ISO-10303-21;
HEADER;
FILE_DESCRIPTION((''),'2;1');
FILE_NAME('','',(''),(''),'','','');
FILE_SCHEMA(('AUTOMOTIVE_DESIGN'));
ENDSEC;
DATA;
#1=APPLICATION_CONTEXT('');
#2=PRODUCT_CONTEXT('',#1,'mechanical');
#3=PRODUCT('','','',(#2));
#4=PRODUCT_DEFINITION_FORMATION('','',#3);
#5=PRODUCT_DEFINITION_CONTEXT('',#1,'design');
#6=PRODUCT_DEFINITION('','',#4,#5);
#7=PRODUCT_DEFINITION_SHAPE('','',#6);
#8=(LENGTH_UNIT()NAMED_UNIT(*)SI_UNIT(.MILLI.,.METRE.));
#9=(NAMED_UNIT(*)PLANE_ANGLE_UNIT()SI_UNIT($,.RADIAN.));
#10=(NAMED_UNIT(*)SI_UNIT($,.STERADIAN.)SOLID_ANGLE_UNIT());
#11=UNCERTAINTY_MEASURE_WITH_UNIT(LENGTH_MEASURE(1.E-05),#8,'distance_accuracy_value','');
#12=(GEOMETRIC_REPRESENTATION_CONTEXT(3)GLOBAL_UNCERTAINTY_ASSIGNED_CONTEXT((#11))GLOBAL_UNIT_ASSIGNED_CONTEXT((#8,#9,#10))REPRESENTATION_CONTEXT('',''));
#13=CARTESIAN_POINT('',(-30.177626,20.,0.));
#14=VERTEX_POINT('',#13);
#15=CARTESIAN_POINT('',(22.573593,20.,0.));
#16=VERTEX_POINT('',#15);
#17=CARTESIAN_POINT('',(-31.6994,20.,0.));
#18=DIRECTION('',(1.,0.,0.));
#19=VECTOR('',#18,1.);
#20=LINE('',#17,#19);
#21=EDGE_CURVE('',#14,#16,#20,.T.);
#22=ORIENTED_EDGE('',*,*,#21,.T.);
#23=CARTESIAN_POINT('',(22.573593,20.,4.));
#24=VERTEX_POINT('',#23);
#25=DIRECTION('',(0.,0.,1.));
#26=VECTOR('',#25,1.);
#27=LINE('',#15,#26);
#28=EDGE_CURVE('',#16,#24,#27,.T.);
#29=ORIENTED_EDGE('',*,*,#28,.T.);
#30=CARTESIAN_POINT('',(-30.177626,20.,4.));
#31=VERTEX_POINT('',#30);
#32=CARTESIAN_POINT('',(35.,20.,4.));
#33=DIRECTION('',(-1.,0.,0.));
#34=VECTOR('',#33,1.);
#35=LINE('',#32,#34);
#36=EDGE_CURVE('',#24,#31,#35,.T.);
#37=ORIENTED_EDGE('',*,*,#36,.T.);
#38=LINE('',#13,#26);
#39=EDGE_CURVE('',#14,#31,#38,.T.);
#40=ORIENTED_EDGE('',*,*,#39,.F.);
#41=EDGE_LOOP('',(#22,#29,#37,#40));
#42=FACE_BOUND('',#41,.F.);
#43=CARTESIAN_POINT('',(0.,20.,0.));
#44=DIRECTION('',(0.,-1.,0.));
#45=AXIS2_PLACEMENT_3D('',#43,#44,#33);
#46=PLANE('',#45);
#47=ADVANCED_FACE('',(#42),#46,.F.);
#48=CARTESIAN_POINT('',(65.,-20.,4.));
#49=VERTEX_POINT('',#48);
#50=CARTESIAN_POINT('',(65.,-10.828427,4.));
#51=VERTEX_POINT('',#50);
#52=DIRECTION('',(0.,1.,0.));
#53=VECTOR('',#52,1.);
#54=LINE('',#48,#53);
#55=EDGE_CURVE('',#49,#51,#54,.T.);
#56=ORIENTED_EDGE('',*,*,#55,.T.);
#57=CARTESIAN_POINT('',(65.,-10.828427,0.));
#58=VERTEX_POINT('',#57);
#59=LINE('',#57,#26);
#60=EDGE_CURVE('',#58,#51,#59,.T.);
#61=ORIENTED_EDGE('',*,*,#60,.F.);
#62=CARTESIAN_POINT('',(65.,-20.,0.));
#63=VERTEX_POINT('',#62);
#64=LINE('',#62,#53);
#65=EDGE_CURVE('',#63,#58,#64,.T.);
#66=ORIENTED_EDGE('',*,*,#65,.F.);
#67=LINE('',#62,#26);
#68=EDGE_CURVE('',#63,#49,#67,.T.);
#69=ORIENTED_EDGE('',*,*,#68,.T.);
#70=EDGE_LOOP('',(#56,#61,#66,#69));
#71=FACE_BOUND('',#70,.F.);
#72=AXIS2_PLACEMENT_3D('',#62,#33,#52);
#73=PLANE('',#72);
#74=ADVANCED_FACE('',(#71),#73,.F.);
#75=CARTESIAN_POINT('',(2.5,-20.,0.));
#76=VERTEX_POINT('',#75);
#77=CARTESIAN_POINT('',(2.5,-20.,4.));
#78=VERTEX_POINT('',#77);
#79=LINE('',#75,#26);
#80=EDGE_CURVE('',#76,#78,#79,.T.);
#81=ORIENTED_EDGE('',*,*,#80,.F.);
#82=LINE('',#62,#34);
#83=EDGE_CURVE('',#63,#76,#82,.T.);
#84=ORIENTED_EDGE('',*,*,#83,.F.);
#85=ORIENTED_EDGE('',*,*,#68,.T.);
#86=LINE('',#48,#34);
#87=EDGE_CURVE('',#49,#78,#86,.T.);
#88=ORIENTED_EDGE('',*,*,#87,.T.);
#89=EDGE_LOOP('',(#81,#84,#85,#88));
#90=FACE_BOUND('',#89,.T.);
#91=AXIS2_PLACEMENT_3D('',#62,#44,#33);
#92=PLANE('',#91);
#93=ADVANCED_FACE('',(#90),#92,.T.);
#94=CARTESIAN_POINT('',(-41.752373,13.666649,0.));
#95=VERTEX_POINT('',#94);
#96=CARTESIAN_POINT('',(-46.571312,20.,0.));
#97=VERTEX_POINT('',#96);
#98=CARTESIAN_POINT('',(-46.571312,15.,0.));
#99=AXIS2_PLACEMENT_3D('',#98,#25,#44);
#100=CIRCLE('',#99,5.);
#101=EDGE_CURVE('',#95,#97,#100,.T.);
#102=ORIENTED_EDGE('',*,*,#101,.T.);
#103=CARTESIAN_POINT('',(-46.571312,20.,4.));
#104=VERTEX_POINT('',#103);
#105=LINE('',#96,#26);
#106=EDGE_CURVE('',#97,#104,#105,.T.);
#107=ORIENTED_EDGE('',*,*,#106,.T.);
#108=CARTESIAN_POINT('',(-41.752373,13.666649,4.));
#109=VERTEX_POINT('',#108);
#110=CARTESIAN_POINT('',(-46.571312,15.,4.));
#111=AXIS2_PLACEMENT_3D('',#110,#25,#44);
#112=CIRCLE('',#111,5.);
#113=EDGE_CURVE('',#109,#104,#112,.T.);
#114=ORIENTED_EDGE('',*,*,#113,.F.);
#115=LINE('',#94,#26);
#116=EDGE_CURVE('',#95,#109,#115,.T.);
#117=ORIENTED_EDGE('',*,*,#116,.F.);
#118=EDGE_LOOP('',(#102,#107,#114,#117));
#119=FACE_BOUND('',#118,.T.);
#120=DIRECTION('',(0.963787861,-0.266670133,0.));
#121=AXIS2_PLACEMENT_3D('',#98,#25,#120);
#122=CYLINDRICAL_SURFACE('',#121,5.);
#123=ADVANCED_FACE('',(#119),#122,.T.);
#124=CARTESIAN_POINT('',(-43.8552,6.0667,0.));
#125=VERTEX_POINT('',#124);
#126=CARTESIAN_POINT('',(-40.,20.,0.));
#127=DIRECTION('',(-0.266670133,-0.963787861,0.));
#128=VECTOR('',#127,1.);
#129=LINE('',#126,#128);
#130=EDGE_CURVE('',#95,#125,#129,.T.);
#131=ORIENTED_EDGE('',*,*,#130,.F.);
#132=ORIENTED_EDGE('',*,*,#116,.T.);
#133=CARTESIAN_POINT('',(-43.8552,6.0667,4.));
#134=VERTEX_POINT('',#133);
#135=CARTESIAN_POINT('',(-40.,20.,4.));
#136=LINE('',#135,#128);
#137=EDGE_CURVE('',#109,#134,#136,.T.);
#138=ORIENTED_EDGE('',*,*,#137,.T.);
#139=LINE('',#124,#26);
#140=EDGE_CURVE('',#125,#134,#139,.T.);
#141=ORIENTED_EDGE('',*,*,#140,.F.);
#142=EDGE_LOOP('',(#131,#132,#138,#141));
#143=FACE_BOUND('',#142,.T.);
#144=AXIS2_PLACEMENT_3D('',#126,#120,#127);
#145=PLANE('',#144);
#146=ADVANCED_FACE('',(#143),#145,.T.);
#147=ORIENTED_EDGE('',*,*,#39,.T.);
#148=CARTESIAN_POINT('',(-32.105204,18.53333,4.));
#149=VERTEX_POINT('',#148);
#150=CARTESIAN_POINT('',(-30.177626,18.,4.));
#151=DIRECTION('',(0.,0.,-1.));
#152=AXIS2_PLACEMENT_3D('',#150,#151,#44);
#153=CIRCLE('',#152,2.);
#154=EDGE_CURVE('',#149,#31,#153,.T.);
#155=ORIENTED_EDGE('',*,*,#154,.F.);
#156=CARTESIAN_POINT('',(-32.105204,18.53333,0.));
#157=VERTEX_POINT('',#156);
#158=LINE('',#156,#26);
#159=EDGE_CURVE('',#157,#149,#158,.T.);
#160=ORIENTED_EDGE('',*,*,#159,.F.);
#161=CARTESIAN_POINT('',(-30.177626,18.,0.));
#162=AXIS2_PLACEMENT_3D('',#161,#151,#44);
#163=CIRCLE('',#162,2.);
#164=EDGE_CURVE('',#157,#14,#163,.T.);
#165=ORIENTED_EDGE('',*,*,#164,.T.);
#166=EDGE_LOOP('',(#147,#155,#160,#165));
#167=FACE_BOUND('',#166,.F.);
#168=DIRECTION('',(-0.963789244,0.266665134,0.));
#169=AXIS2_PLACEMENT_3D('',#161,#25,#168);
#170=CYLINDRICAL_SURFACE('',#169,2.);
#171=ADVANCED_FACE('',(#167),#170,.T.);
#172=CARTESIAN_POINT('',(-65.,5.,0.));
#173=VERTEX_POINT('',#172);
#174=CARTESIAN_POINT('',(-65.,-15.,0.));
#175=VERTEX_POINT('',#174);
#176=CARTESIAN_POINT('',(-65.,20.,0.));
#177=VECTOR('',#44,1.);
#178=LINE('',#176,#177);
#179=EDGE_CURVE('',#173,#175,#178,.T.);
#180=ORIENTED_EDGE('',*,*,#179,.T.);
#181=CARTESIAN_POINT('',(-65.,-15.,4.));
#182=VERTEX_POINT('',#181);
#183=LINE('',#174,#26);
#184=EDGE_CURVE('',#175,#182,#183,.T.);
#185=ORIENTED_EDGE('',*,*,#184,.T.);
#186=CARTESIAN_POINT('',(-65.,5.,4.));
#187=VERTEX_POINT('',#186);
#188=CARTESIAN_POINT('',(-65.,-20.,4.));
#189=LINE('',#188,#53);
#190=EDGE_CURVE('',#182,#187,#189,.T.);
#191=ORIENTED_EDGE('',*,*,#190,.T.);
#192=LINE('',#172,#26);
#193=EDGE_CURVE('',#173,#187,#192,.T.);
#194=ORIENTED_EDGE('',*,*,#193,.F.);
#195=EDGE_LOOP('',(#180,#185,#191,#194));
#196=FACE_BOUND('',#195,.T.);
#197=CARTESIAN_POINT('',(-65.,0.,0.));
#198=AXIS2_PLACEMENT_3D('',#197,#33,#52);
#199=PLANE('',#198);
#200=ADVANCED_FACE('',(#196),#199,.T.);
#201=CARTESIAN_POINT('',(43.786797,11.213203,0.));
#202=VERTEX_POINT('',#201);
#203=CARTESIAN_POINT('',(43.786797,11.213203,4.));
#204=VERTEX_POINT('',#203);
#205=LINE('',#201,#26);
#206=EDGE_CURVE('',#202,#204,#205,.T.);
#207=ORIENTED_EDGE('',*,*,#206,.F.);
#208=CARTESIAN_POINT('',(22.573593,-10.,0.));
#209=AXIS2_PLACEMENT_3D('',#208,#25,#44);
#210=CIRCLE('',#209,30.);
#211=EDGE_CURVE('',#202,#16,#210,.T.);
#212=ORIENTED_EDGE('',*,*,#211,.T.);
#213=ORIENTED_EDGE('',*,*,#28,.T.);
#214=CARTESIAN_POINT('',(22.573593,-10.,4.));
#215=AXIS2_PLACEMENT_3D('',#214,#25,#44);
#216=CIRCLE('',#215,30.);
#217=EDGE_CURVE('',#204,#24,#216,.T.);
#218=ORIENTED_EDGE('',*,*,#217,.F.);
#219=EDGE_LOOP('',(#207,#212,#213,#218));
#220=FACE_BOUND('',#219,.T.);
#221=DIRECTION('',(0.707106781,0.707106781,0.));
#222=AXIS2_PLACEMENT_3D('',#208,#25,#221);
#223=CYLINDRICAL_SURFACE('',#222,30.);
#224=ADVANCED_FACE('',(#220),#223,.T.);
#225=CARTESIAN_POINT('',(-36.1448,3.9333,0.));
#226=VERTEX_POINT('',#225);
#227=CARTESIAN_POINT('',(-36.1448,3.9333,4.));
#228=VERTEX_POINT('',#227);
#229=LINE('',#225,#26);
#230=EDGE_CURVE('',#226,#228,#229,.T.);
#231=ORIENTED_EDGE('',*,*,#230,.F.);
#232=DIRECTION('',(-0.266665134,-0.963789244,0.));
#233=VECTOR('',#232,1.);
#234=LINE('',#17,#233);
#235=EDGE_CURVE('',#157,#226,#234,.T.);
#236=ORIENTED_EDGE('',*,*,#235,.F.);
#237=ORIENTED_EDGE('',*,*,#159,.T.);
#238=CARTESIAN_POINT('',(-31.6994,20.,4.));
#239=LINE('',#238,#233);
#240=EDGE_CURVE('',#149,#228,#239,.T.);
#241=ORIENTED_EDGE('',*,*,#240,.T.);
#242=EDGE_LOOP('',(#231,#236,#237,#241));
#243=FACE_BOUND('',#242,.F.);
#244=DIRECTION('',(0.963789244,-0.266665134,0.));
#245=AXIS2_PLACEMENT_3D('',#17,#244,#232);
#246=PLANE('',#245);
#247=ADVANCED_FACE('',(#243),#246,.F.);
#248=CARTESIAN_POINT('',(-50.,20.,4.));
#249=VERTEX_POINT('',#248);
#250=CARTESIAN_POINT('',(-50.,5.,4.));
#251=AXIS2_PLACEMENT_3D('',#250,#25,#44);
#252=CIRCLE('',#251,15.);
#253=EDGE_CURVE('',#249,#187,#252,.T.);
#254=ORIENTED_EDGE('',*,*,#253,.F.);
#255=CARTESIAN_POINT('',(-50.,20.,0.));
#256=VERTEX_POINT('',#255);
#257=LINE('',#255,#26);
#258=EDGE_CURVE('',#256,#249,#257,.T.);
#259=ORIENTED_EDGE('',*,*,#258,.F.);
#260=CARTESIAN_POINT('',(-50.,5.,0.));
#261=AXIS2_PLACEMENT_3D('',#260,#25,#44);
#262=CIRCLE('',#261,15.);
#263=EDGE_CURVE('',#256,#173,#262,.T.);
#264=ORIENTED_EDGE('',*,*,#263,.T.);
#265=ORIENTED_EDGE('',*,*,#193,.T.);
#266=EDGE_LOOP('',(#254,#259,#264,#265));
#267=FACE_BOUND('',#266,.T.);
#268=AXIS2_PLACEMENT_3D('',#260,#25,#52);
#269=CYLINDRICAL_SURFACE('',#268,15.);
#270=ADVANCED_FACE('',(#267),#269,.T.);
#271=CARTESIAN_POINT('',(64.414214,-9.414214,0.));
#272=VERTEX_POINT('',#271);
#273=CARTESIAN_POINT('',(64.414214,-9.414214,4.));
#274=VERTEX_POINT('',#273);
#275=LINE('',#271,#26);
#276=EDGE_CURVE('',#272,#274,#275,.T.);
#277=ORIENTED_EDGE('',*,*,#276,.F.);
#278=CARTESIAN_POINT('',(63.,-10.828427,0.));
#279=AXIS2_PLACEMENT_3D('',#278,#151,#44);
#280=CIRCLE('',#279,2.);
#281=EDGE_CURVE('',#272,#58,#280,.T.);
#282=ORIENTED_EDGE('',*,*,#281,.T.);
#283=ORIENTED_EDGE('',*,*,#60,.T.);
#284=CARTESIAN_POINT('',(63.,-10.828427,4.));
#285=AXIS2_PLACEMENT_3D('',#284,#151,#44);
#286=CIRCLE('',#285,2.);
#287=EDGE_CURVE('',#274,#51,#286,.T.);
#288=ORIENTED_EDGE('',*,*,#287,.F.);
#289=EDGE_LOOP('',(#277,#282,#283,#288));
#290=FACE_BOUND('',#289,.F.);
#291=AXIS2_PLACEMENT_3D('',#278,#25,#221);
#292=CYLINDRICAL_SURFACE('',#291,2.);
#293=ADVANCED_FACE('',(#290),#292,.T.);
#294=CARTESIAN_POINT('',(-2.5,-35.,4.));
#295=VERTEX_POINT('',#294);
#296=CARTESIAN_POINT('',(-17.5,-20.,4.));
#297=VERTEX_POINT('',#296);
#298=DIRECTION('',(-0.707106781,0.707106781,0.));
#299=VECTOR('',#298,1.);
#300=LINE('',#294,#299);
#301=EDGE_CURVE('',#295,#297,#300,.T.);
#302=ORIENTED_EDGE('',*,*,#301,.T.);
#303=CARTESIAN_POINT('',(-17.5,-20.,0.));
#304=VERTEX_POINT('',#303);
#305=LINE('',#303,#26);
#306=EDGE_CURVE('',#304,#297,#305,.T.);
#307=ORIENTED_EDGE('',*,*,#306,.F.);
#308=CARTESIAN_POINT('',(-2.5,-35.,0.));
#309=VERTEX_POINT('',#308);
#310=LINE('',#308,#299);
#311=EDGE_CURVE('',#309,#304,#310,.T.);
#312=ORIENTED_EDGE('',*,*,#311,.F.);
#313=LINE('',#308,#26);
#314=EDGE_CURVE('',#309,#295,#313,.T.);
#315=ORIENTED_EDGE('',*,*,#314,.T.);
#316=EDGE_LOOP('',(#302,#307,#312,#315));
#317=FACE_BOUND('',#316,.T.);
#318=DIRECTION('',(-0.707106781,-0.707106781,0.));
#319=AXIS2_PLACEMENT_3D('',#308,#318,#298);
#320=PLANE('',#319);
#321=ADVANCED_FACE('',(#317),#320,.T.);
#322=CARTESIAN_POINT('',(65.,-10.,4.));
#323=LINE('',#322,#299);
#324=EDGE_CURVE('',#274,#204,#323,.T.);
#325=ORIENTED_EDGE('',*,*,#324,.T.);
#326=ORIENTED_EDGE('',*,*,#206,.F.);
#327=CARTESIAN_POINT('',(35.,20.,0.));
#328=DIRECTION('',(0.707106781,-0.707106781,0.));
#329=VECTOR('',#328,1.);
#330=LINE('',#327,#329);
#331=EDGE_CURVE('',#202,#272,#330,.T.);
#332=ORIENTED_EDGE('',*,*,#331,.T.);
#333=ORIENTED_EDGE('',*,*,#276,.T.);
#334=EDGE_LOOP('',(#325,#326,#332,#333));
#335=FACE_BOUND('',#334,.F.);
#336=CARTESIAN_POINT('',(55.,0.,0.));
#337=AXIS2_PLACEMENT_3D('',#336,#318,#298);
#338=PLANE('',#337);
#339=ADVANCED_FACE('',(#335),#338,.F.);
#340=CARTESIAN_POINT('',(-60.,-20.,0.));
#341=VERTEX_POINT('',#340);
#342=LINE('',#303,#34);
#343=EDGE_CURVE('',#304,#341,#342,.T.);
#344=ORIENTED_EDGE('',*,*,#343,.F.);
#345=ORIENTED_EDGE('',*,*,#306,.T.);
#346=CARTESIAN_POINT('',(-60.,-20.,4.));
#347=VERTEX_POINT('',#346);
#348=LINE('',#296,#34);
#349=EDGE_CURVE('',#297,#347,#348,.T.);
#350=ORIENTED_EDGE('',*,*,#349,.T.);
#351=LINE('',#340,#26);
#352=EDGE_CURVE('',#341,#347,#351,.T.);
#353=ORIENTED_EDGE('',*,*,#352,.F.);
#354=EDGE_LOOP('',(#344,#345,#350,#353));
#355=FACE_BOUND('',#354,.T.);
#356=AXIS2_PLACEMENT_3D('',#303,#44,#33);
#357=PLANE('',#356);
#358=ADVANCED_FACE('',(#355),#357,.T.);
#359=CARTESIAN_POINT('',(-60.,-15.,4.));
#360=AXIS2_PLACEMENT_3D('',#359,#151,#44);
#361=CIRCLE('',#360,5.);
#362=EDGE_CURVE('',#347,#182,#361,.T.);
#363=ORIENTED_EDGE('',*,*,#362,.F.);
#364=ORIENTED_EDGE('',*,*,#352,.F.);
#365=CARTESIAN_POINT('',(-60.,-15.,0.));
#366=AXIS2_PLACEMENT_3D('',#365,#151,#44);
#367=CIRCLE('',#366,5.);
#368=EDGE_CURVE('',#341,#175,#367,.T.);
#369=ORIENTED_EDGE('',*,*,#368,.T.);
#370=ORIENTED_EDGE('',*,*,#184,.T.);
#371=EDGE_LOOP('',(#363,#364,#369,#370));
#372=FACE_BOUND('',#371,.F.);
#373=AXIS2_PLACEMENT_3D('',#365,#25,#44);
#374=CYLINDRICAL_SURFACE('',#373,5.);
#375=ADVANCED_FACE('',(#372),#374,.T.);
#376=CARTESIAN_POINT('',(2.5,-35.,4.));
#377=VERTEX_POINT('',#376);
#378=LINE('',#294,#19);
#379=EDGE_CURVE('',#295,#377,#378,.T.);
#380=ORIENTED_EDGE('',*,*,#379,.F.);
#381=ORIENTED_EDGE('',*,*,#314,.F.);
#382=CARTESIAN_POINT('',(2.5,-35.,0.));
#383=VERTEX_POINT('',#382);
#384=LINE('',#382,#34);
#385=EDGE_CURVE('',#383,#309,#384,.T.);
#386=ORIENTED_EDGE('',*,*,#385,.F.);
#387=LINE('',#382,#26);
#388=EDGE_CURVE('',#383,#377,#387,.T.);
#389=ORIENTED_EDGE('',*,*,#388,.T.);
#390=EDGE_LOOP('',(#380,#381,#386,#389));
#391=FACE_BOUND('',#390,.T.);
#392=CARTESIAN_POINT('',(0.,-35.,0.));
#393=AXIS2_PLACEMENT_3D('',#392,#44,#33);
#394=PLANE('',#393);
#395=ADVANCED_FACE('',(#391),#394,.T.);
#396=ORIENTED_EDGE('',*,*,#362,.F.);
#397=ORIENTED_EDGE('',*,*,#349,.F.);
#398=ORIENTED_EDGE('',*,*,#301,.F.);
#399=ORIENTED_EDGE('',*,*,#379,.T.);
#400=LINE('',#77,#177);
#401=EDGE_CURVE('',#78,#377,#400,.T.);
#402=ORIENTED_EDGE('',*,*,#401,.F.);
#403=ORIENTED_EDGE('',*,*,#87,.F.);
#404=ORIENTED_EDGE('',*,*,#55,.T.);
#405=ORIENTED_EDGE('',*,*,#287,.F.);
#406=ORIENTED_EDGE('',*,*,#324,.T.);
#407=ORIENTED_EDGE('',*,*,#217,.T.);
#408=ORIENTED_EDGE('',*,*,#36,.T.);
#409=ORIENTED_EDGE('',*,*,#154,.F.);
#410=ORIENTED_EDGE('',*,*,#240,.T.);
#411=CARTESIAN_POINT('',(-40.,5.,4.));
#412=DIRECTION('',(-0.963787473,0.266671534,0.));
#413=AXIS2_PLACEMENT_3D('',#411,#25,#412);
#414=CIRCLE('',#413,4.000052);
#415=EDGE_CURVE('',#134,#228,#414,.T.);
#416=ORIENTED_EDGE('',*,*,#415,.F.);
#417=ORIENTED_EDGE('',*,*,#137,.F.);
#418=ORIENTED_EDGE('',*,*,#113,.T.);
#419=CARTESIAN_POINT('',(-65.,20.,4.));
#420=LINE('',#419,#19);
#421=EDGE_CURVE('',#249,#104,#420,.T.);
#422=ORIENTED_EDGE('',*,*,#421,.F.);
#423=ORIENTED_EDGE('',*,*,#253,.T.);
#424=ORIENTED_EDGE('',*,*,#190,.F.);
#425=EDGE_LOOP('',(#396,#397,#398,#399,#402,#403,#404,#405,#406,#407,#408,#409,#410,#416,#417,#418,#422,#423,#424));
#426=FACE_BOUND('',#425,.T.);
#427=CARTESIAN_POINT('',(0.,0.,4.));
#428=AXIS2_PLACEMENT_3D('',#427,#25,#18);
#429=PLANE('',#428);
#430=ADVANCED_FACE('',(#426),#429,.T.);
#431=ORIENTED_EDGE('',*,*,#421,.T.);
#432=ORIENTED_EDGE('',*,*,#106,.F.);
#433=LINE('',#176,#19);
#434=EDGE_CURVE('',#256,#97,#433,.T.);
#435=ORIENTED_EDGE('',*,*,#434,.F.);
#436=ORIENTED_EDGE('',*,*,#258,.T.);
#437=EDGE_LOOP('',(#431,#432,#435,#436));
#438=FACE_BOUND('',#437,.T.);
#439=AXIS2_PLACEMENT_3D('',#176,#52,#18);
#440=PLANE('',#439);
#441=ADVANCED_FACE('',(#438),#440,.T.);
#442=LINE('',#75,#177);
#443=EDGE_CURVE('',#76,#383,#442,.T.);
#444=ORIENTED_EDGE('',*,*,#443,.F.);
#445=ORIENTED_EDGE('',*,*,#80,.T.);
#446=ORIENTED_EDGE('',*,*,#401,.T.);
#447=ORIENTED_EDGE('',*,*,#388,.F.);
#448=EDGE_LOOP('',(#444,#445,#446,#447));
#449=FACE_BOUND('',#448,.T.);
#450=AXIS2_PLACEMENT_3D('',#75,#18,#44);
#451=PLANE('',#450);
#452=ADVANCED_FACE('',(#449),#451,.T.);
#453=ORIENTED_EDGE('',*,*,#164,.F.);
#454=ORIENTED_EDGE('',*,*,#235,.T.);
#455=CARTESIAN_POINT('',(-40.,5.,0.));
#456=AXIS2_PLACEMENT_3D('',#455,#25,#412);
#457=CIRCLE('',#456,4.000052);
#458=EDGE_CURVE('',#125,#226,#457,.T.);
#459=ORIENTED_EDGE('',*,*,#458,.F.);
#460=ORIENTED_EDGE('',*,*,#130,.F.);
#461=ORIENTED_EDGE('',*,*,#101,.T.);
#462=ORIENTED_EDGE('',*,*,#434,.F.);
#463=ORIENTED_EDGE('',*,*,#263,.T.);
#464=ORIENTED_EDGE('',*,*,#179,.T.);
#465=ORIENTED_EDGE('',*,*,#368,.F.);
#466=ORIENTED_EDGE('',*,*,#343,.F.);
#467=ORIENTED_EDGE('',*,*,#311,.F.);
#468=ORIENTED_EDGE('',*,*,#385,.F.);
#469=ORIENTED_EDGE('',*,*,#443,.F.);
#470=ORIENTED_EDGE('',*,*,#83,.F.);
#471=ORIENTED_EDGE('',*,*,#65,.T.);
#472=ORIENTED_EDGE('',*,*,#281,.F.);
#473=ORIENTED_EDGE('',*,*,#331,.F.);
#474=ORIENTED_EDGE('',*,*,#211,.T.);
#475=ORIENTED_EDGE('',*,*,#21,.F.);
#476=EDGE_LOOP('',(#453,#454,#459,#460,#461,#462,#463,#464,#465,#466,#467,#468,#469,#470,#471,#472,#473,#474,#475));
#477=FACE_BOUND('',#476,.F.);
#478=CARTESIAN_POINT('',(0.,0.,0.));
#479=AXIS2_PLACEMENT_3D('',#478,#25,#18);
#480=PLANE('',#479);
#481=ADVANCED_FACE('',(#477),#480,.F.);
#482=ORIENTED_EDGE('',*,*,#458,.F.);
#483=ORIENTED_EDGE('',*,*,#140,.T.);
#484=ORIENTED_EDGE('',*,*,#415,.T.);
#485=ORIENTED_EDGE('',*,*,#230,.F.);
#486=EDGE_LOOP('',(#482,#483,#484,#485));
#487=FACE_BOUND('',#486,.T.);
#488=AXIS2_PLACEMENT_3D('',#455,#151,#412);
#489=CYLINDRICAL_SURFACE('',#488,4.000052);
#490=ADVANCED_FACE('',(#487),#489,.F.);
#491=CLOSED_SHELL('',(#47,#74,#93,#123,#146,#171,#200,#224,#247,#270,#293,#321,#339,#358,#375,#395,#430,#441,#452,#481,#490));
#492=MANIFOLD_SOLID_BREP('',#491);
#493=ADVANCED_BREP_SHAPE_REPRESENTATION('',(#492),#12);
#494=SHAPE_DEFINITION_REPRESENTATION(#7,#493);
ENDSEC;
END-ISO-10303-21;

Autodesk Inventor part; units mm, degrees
ref_plane "YZ Plane" through (0, 0, 0) normal (1, 0, 0) x (0, 1, 0)
ref_plane "XZ Plane" through (0, 0, 0) normal (0, 1, 0) x (-1, 0, 0)
ref_plane "XY Plane" through (0, 0, 0) normal (0, 0, 1) x (1, 0, 0)
sketch "Sketch3" plane through (0, 0, 0) normal (0, 0, 1) x (1, 0, 0)
  line L0 (-91, 0) -> (91, 0) projected
  line L1 (0, -48.6774) -> (0, 47.0644) projected
  line L2 (65, -10) -> (35, 20)
  line L3 (35, 20) -> (-31.6994, 20)
  line L4 (-31.6994, 20) -> (-36.1448, 3.9333)
  line L5 (65, -20) -> (2.5, -20)
  line L6 (2.5, -20) -> (2.5, -35)
  line L7 (2.5, -35) -> (-2.5, -35)
  line L8 (-2.5, -35) -> (-17.5, -20)
  line L9 (-17.5, -20) -> (-65, -20)
  line L10 (-65, -20) -> (-65, 20)
  line L11 (-65, 20) -> (-40, 20)
  line L12 (65, -20) -> (65, -10)
  line L13 (-40, 20) -> (-43.8552, 6.0667)
  arc A0 (-43.8552, 6.0667) -> (-36.1448, 3.9333) centre (-40, 5) ccw
  line L14 (-26.282, 1.2044) -> (-45.4203, 6.4997) construction
  line L15 (-40, -18.8457) -> (-40, 33.387) construction
  point P0 (0, 0)
  dimension "d0" = 130
  dimension "d1" = 40
  dimension "d2" = 10
  dimension "d4" = 5
  dimension "d5" = 20
  dimension "d6" = 30
  dimension "d8" = 55
  dimension "d11" = 8
  dimension "d12" = 25
  dimension "d16" = 8
  dimension "d23" = 15
extrude "Extrusion1" add sketch "Sketch3" along normal blind 4
fillet "Fillet1" radius 2 2 edges at (-31.6994, 20, 2) (65, -10, 2)
fillet "Fillet2" radius 30 1 edges at (35, 20, 2)
fillet "Fillet3" radius 5 2 edges at (-40, 20, 2) (-65, -20, 2)
fillet "Fillet4" radius 15 1 edges at (-65, 20, 2)
equation "\"BendRadius\" = Thickness"
equation "\"BendReliefWidth\" = Thickness"
equation "\"BendReliefDepth\" = 0.5 * Thickness"
equation "\"CornerReliefSize\" = 4 * Thickness"
equation "\"MinimumRemnant\" = 2 * Thickness"
equation "\"TransitionRadius\" = BendRadius"
equation "\"JacobiRadiusSize\" = BendRadius"
equation "\"GapSize\" = Thickness"
equation "\"Thickness\" = 0.5"
properties part number "Rear Wheel Holder"
